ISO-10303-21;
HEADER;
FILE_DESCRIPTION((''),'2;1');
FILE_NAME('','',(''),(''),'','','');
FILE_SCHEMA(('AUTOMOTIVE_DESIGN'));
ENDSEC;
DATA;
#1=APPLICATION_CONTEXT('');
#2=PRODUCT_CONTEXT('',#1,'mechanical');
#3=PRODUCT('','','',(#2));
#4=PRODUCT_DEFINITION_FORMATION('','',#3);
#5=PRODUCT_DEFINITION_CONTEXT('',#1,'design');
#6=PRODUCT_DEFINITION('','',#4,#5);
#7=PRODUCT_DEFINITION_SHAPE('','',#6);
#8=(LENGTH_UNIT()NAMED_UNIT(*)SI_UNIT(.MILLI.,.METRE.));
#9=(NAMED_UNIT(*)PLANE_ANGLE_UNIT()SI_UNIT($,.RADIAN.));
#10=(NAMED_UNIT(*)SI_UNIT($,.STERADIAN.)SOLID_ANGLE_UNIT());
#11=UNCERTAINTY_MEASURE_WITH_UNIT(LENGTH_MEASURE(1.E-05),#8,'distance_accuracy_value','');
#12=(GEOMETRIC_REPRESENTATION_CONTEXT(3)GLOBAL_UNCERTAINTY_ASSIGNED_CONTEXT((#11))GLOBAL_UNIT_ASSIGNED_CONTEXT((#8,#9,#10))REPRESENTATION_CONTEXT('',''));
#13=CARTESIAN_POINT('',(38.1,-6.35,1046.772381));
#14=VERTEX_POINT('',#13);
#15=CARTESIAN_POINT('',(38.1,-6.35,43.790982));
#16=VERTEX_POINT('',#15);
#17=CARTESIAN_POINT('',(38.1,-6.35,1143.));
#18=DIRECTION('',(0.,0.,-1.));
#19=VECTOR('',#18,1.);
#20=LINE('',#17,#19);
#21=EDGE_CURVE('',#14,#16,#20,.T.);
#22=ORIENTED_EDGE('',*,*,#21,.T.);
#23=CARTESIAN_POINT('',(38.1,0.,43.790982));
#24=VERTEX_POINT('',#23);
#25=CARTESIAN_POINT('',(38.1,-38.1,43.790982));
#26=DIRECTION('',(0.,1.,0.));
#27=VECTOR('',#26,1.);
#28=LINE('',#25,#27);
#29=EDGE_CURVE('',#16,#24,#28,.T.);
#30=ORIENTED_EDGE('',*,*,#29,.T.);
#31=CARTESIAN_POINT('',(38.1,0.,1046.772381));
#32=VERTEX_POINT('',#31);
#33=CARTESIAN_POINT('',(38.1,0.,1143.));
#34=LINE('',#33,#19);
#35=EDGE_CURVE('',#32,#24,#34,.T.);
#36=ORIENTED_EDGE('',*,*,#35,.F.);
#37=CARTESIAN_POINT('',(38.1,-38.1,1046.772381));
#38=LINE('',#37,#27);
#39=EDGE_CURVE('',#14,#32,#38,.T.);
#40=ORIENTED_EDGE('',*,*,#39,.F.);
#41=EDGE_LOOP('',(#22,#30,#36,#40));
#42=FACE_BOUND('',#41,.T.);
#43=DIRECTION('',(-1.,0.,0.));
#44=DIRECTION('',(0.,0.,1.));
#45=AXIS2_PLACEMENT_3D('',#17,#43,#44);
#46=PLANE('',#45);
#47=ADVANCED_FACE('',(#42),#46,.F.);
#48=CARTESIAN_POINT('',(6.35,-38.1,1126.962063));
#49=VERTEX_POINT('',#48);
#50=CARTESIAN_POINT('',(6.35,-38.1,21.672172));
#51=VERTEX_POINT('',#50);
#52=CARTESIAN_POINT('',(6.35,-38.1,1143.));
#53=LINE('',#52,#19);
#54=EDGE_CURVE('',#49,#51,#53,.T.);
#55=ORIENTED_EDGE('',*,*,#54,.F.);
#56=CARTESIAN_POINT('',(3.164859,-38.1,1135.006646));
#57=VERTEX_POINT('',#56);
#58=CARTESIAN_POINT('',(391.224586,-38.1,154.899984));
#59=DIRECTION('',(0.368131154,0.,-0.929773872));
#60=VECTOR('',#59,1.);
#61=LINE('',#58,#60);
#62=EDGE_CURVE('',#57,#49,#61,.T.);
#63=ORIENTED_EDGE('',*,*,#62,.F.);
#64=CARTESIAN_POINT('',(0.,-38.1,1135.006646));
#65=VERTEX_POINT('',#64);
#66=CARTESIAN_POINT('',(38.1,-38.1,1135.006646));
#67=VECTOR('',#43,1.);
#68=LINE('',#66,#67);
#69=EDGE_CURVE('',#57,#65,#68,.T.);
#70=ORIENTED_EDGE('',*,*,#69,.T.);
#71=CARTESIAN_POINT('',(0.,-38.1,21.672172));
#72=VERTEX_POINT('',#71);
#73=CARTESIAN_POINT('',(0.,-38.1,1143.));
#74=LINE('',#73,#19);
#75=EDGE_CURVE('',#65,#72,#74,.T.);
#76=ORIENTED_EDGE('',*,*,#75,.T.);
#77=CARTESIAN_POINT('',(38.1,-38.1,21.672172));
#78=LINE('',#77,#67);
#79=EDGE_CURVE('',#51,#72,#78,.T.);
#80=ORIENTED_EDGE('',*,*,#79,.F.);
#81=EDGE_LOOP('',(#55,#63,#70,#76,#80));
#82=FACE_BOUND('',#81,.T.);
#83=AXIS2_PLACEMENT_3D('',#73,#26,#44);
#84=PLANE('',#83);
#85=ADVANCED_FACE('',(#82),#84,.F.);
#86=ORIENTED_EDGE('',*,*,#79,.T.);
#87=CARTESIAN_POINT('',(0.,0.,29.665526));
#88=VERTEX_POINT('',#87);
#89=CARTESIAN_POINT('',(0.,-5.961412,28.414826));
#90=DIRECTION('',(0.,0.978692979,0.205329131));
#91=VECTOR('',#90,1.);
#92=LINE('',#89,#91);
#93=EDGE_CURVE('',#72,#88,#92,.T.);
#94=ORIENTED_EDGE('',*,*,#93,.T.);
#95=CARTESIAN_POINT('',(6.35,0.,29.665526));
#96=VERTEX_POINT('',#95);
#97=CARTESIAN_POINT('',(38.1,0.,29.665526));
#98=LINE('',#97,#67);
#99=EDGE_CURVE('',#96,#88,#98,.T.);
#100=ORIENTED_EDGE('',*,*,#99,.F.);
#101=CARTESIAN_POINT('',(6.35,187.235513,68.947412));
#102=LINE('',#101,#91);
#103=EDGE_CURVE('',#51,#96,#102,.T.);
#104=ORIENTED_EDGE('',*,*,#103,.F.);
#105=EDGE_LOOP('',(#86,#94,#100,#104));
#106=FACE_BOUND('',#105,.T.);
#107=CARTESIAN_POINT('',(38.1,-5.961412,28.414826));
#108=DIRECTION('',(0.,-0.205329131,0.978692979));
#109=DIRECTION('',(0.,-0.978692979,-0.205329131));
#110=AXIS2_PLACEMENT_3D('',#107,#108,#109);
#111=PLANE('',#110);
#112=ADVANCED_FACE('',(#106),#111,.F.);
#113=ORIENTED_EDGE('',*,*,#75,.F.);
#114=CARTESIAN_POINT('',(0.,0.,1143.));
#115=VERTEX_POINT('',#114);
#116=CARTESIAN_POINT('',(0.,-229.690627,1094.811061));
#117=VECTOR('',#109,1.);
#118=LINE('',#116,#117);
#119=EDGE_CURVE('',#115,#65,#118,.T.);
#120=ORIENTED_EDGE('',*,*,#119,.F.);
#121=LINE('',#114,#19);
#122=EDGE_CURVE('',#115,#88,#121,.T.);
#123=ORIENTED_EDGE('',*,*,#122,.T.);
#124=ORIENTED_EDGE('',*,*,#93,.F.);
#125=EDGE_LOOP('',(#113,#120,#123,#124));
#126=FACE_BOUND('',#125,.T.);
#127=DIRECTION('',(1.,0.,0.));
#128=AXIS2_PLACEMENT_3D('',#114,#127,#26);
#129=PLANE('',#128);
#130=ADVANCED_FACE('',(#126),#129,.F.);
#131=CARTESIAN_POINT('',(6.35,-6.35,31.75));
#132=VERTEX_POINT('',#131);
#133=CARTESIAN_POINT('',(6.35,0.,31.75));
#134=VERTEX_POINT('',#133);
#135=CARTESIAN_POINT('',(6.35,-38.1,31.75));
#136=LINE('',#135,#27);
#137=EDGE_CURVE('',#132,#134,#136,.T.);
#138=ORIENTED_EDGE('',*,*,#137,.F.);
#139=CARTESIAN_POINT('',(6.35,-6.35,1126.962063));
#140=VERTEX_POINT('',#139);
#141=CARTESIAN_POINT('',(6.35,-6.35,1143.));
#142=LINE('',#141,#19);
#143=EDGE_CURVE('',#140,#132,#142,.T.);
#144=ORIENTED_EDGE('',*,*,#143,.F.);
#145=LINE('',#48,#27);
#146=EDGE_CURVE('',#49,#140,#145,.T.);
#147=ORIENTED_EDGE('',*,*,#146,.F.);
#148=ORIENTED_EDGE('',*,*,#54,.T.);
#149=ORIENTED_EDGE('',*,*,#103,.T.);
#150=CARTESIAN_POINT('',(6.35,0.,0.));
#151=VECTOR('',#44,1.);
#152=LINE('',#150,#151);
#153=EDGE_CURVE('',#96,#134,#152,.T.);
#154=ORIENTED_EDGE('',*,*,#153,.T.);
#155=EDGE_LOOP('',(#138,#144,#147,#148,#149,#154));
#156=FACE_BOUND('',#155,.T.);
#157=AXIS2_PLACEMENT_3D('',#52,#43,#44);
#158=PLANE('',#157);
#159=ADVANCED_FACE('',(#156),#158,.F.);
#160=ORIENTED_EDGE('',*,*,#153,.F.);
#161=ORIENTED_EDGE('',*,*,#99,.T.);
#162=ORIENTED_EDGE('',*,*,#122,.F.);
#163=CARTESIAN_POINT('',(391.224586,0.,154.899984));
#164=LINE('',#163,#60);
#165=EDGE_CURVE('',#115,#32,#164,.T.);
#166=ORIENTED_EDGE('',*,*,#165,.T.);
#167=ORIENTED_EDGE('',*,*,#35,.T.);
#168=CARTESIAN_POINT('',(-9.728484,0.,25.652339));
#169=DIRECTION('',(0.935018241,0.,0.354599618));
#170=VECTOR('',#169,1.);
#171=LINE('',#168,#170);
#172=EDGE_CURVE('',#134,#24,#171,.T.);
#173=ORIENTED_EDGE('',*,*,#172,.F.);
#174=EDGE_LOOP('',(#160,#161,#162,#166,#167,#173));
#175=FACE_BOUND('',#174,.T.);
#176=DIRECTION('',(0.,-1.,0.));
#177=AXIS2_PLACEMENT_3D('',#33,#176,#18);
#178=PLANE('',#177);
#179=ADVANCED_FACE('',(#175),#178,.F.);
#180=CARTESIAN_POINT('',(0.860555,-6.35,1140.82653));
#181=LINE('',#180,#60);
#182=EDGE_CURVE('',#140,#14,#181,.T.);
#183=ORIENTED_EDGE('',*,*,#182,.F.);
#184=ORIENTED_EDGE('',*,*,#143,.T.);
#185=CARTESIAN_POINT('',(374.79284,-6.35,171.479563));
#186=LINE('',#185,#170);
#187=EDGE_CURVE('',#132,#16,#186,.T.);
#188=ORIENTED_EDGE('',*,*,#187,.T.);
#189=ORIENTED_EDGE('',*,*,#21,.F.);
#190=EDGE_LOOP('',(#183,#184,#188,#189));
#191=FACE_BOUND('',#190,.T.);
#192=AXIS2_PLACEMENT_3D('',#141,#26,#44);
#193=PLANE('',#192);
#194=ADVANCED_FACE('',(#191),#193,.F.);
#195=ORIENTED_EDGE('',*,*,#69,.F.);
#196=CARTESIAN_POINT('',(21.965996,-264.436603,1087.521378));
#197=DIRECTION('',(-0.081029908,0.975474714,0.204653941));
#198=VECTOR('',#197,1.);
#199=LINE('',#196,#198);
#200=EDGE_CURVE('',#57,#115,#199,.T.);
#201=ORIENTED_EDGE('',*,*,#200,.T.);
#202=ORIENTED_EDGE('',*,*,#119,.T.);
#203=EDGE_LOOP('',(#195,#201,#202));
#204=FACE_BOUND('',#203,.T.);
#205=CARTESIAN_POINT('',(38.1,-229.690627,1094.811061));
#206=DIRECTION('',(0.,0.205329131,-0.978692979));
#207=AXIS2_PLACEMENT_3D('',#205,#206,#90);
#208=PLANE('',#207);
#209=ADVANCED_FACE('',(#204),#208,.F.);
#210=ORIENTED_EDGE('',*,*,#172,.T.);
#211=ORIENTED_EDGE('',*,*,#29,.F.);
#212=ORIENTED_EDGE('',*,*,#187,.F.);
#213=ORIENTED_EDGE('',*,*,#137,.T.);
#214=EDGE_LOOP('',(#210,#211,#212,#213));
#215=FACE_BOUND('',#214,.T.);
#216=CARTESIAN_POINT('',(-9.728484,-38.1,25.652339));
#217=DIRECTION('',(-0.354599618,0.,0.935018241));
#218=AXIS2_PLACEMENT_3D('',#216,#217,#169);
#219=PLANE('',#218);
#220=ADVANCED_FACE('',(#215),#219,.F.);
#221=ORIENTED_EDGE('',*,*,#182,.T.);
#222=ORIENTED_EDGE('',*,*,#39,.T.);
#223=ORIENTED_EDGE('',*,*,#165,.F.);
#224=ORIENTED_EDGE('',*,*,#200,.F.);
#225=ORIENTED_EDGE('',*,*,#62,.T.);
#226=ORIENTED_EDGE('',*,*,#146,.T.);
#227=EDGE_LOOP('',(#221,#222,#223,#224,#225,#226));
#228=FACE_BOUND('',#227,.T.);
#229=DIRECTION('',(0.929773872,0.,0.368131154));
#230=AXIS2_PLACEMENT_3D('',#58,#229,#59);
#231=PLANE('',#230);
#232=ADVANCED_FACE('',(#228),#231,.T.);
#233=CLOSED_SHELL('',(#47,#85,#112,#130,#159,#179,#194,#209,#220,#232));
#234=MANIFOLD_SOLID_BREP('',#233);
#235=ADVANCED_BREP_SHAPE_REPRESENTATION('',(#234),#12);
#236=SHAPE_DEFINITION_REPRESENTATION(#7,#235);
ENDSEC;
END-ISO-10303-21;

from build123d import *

# Parameters (mm, degrees)
BOSS_EXTRUDE1_DEPTH = 1143
Y_FACE_DEPTH        = 39.1
X_FACE_DEPTH        = 39.1


with BuildPart() as part:
    # Sketch2 → Boss-Extrude1 (new body)
    with BuildSketch(Plane.XY):
        Polygon((0, 0), (0, -38.1), (6.35, -38.1), (6.35, -6.35), (38.1, -6.35), (38.1, 0), align=None)
    extrude(amount=BOSS_EXTRUDE1_DEPTH)

    # Sketch3 → Y Face (cut, through all)
    with BuildSketch(Plane(origin=(0, 0, 0), x_dir=(1, 0, 0), z_dir=(0, 1, 0))):
        Polygon((6.35, 0), (6.35, -31.75), (38.1, -43.790982062), (38.1, 0), align=None)
        Polygon((38.1, -1046.772380605), (0, -1143), (38.1, -1143), align=None)
    extrude(amount=-Y_FACE_DEPTH, mode=Mode.SUBTRACT)

    # Sketch4 → X Face (cut, through all)
    with BuildSketch(Plane.ZY):
        Polygon((1143, 0), (1135.00664554, -38.1), (1143, -38.1), align=None)
        Polygon((0, -38.1), (21.672171987, -38.1), (29.665526448, 0), (0, 0), align=None)
    extrude(amount=-X_FACE_DEPTH, mode=Mode.SUBTRACT)


solid = part.part
